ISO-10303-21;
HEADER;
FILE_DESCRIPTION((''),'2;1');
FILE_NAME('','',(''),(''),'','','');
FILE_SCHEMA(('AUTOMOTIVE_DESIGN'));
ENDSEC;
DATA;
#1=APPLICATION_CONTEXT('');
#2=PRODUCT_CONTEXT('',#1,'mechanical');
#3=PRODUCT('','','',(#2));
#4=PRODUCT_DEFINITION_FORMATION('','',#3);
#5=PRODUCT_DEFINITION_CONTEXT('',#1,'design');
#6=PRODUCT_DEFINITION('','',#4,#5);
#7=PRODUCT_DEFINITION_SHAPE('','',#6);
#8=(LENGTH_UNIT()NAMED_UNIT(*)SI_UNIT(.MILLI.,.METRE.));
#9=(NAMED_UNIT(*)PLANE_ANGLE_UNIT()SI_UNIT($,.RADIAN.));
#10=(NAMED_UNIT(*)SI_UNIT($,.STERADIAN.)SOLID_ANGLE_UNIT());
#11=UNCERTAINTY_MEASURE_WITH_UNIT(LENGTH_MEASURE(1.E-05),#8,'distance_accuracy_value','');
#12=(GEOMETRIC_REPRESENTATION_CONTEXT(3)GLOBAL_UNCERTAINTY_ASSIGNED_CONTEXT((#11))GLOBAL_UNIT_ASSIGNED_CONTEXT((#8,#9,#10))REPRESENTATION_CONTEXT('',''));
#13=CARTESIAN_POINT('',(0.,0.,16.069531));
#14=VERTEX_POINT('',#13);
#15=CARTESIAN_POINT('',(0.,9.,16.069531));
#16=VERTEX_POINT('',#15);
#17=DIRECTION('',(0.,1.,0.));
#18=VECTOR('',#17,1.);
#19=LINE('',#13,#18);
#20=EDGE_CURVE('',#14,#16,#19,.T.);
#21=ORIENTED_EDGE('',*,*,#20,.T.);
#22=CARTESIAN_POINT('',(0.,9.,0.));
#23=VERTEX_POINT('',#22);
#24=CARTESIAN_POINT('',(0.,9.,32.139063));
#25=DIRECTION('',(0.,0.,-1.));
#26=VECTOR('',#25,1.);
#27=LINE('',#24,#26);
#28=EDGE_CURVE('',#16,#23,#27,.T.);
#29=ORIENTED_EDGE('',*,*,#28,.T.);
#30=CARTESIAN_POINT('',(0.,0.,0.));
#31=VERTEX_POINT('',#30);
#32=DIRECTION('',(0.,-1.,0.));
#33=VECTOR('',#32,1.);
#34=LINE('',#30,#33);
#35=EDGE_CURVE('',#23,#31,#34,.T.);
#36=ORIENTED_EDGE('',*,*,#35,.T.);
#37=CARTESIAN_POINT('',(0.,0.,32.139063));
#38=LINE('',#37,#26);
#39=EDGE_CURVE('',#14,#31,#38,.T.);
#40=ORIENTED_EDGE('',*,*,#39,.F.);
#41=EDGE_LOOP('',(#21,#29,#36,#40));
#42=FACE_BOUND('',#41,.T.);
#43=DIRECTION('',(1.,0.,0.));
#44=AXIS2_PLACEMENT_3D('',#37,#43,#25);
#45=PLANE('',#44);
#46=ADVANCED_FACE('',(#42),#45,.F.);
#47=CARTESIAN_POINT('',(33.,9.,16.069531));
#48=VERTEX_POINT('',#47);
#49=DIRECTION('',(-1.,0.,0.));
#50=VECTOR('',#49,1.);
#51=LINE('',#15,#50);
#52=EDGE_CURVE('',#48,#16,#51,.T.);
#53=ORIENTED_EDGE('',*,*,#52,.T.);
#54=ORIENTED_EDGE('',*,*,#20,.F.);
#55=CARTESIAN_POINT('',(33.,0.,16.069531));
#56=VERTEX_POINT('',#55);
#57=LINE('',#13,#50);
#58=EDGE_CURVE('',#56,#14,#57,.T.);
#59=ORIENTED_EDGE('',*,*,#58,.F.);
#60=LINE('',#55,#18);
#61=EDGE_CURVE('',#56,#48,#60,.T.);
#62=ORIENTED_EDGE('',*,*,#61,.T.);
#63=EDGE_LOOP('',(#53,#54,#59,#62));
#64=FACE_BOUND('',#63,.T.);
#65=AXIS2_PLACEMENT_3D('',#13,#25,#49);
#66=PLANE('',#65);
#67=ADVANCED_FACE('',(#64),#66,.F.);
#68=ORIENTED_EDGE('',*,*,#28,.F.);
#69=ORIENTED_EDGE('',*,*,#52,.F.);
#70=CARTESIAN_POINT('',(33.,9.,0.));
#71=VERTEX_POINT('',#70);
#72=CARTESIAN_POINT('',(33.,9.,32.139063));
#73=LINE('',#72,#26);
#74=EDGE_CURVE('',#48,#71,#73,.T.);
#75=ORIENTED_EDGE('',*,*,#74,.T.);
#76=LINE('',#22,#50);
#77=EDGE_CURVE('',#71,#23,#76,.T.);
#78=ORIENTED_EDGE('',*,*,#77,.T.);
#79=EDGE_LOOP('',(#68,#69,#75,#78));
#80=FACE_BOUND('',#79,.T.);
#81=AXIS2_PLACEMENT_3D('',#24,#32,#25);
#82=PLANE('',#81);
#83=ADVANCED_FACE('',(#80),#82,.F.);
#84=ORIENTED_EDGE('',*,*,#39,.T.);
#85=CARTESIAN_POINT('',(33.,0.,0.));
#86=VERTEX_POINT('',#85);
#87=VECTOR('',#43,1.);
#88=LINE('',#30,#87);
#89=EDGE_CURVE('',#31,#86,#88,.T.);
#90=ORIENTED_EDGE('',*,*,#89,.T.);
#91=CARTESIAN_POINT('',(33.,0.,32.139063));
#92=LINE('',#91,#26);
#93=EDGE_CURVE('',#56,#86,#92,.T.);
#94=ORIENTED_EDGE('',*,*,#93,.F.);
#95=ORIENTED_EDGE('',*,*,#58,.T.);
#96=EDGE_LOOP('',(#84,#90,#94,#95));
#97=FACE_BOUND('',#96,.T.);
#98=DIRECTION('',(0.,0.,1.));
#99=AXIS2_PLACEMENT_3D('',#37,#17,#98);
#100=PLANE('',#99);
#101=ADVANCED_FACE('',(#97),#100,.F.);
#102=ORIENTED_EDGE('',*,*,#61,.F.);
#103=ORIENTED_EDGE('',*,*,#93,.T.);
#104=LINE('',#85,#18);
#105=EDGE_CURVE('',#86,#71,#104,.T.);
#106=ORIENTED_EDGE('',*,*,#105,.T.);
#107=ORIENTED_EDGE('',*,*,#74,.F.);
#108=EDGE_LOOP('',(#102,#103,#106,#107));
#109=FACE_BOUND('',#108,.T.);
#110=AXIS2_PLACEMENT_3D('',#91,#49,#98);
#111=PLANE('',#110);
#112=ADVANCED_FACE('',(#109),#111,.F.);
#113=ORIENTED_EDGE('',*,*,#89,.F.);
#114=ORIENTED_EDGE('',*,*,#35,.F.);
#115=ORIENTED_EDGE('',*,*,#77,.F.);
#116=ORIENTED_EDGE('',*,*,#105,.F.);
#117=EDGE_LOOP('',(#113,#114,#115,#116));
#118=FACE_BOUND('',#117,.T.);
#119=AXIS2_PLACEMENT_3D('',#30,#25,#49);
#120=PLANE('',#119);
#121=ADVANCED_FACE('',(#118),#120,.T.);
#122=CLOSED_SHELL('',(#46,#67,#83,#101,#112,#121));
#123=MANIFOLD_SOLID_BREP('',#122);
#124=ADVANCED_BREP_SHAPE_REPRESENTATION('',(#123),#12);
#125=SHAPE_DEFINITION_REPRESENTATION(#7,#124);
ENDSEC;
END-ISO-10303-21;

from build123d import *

# Parameters (mm, degrees)
SKETCH1_W           = 33
SKETCH1_H           = 9
BOSS_EXTRUDE1_DEPTH = 32.1390625
SKETCH2_W           = 33
SKETCH2_H           = 16.06953125
CUT_EXTRUDE1_DEPTH  = 47.935267533


with BuildPart() as part:
    # Sketch1 → Boss-Extrude1 (new body)
    with BuildSketch(Plane.XY):
        with Locations((16.5, 4.5)):
            Rectangle(SKETCH1_W, SKETCH1_H)
    extrude(amount=BOSS_EXTRUDE1_DEPTH)

    # Sketch2 → Cut-Extrude1 (cut, through all)
    with BuildSketch(Plane(origin=(0, 9, 0), x_dir=(1, 0, 0), z_dir=(0, 1, 0))):
        with Locations((16.5, -24.104296875)):
            Rectangle(SKETCH2_W, SKETCH2_H)
    extrude(amount=-CUT_EXTRUDE1_DEPTH, mode=Mode.SUBTRACT)


solid = part.part
